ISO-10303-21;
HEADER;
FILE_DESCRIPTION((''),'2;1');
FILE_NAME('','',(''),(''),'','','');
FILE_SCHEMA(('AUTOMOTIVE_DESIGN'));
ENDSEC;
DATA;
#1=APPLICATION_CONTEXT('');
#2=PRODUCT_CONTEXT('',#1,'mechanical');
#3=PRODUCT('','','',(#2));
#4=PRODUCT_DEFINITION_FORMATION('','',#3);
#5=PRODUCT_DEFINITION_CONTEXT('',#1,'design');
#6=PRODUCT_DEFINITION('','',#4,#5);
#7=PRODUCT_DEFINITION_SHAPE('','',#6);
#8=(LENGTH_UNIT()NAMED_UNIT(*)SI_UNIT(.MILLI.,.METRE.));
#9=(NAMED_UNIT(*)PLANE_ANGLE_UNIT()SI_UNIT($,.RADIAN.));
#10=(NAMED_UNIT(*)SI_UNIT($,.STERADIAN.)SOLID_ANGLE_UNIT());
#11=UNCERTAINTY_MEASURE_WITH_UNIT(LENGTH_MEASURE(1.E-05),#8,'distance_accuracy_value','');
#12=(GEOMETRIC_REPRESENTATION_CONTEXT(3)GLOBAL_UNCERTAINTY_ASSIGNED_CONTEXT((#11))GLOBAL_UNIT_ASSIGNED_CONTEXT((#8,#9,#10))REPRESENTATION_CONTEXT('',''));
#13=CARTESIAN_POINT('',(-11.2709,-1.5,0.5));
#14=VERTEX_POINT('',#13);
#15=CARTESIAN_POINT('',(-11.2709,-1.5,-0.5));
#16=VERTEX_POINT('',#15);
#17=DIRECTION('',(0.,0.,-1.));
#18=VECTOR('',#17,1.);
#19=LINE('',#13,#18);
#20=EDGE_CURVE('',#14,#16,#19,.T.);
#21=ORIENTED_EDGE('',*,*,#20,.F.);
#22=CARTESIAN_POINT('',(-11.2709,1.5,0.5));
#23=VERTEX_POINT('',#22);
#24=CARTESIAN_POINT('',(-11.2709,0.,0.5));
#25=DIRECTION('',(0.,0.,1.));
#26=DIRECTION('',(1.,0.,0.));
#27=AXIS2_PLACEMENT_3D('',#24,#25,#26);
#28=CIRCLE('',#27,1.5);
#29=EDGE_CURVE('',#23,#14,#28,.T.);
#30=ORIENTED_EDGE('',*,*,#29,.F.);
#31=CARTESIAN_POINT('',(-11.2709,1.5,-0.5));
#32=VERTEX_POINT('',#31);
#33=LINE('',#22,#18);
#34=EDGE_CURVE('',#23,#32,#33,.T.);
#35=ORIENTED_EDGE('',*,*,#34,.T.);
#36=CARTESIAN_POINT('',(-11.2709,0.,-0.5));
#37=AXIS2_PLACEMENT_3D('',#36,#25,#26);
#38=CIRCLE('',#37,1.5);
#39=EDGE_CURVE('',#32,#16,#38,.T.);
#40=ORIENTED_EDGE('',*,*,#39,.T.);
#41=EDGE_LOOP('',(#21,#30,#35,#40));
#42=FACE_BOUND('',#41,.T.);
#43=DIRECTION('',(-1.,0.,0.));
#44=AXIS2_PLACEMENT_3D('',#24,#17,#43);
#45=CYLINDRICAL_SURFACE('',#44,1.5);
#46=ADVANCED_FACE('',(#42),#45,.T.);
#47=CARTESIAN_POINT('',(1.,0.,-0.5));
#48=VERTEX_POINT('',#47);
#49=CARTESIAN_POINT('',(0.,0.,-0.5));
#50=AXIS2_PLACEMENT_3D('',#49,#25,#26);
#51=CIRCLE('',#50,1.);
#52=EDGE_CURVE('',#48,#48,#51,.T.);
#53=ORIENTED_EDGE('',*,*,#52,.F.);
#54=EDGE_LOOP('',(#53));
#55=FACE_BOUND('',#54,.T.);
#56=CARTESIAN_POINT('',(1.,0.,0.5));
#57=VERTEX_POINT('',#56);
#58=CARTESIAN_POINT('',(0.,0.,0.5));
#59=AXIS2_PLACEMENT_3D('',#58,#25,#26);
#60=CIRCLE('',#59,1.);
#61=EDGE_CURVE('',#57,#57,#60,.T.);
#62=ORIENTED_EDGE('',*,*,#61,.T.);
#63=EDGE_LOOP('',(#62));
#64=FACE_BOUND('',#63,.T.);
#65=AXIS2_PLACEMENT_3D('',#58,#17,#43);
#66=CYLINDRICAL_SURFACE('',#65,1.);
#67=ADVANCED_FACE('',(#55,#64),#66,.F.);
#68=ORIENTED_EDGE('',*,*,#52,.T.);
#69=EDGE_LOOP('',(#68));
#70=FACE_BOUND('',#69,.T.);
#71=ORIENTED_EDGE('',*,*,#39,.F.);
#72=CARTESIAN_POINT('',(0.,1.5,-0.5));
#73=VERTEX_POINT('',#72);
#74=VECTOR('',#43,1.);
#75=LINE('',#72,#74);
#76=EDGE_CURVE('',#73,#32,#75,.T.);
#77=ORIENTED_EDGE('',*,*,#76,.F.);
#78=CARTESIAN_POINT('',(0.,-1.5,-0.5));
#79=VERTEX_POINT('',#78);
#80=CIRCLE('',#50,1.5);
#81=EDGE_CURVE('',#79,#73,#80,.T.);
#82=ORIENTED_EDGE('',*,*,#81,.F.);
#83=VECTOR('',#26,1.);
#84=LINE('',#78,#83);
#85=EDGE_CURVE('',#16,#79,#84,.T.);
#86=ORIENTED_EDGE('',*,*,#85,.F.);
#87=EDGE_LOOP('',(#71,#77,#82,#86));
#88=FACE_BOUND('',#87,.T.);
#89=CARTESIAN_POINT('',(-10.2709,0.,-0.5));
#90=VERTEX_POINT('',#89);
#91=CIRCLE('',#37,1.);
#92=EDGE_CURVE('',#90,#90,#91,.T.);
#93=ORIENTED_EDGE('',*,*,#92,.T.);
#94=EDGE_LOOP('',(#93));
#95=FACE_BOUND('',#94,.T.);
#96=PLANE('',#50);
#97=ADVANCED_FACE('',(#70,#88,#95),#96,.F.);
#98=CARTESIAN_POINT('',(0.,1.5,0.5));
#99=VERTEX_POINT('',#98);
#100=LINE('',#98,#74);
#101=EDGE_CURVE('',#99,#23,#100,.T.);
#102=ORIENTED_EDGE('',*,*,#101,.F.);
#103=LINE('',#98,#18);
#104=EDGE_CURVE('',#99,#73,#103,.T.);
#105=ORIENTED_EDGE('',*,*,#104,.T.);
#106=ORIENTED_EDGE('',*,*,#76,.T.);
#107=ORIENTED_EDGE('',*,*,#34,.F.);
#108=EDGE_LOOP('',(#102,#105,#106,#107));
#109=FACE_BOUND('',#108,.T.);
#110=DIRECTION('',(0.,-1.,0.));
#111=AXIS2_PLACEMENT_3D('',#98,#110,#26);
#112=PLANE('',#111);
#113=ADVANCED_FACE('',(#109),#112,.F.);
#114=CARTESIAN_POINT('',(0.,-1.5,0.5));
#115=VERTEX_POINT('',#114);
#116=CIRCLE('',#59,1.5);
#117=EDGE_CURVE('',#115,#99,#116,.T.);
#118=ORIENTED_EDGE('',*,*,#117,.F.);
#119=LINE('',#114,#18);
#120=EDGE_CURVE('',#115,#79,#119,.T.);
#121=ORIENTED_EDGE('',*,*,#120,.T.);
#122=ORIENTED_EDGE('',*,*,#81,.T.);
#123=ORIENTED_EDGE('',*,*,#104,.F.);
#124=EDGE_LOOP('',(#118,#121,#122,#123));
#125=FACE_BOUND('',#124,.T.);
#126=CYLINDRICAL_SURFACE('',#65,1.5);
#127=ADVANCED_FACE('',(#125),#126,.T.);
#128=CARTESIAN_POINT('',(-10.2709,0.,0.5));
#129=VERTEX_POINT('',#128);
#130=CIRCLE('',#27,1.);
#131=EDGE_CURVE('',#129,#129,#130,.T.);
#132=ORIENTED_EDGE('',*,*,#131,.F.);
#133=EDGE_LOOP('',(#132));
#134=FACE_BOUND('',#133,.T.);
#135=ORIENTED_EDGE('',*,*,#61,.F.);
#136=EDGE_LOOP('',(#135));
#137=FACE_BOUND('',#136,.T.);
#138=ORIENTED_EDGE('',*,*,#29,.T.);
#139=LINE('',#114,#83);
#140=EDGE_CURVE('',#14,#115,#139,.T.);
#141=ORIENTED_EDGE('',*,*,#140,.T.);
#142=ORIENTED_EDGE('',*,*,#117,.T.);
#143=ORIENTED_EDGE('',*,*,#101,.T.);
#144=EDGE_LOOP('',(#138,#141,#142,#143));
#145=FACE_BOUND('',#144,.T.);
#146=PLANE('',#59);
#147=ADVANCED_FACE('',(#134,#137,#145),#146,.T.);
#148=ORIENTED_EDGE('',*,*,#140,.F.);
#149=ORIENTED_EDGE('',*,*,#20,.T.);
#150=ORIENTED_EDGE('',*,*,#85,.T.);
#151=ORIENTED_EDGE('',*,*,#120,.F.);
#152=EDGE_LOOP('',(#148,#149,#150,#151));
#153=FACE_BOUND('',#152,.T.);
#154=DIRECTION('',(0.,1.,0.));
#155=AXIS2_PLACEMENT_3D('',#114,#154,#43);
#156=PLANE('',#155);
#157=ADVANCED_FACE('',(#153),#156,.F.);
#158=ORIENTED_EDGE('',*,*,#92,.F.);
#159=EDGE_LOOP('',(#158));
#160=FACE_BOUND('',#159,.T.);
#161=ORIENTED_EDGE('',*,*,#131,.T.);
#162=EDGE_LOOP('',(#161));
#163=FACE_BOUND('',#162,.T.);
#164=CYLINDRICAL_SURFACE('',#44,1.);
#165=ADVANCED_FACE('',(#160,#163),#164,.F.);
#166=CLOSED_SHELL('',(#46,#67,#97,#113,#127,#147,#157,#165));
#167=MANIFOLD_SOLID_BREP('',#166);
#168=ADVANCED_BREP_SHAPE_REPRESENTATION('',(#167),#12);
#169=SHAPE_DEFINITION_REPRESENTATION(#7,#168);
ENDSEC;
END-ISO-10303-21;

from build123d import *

# Parameters (mm, degrees)
SKETCH1_R           = 1
BOSS_EXTRUDE1_DEPTH = 0.5


with BuildPart() as part:
    # Sketch1 → Boss-Extrude1 (new, symmetric)
    with BuildSketch(Plane.XY):
        with BuildLine():
            Line((0, -1.5), (-11.2709, -1.5))
            ThreePointArc((-11.2709, -1.5), (-12.7709, 0), (-11.2709, 1.5))
            Line((-11.2709, 1.5), (0, 1.5))
            ThreePointArc((0, 1.5), (1.5, 0), (0, -1.5))
        make_face()
        with Locations((-11.2709, 0)):
            Circle(SKETCH1_R, mode=Mode.SUBTRACT)
        Circle(SKETCH1_R, mode=Mode.SUBTRACT)
    extrude(amount=BOSS_EXTRUDE1_DEPTH, both=True)


solid = part.part
